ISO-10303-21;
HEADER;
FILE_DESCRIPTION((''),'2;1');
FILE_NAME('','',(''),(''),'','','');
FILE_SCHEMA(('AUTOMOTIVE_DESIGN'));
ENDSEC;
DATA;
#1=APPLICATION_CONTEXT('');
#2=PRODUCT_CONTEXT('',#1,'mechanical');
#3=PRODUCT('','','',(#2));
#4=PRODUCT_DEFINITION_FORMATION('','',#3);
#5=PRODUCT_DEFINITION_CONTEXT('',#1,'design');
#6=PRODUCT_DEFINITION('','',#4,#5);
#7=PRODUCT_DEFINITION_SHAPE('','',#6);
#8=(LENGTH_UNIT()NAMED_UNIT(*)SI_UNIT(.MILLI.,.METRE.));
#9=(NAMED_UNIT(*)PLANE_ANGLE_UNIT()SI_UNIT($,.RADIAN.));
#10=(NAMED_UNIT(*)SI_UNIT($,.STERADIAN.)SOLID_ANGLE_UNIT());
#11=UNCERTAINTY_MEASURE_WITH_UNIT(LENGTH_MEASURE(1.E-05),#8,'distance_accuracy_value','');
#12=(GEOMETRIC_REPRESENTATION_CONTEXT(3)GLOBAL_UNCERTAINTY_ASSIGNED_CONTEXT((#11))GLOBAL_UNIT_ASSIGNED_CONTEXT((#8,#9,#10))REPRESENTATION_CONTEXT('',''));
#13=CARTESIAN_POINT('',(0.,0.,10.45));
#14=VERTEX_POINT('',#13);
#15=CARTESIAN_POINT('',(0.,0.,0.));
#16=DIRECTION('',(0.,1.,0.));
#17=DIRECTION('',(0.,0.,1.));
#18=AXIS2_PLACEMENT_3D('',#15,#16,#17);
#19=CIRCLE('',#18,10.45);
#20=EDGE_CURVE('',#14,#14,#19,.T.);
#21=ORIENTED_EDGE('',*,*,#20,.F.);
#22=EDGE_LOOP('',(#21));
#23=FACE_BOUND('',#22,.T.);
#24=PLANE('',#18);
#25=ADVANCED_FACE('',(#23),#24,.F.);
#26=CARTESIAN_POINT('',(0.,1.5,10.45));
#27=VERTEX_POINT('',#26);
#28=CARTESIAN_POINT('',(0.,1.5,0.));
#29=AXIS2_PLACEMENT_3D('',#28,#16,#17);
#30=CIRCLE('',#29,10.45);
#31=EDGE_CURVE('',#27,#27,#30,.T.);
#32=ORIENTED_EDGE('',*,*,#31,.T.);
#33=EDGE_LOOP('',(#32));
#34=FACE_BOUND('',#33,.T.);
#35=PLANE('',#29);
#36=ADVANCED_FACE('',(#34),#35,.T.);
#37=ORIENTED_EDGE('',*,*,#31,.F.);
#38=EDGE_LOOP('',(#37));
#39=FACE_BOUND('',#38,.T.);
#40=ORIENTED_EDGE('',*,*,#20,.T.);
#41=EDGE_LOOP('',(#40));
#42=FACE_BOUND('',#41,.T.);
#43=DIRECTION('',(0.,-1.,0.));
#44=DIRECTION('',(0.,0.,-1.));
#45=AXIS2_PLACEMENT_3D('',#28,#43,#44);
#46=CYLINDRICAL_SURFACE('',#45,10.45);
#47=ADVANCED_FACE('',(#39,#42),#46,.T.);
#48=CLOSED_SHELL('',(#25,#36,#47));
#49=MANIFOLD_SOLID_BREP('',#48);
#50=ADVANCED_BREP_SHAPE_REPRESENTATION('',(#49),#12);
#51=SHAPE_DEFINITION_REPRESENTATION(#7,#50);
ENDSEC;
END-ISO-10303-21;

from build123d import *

# Parameters (mm, degrees)
SKETCH1_R           = 10.45
BOSS_EXTRUDE1_DEPTH = 1.5


with BuildPart() as part:
    # Sketch1 → Boss-Extrude1 (new body)
    with BuildSketch(Plane(origin=(0, 0, 0), x_dir=(1, 0, 0), z_dir=(0, 1, 0))):
        Circle(SKETCH1_R)
    extrude(amount=BOSS_EXTRUDE1_DEPTH)


solid = part.part
